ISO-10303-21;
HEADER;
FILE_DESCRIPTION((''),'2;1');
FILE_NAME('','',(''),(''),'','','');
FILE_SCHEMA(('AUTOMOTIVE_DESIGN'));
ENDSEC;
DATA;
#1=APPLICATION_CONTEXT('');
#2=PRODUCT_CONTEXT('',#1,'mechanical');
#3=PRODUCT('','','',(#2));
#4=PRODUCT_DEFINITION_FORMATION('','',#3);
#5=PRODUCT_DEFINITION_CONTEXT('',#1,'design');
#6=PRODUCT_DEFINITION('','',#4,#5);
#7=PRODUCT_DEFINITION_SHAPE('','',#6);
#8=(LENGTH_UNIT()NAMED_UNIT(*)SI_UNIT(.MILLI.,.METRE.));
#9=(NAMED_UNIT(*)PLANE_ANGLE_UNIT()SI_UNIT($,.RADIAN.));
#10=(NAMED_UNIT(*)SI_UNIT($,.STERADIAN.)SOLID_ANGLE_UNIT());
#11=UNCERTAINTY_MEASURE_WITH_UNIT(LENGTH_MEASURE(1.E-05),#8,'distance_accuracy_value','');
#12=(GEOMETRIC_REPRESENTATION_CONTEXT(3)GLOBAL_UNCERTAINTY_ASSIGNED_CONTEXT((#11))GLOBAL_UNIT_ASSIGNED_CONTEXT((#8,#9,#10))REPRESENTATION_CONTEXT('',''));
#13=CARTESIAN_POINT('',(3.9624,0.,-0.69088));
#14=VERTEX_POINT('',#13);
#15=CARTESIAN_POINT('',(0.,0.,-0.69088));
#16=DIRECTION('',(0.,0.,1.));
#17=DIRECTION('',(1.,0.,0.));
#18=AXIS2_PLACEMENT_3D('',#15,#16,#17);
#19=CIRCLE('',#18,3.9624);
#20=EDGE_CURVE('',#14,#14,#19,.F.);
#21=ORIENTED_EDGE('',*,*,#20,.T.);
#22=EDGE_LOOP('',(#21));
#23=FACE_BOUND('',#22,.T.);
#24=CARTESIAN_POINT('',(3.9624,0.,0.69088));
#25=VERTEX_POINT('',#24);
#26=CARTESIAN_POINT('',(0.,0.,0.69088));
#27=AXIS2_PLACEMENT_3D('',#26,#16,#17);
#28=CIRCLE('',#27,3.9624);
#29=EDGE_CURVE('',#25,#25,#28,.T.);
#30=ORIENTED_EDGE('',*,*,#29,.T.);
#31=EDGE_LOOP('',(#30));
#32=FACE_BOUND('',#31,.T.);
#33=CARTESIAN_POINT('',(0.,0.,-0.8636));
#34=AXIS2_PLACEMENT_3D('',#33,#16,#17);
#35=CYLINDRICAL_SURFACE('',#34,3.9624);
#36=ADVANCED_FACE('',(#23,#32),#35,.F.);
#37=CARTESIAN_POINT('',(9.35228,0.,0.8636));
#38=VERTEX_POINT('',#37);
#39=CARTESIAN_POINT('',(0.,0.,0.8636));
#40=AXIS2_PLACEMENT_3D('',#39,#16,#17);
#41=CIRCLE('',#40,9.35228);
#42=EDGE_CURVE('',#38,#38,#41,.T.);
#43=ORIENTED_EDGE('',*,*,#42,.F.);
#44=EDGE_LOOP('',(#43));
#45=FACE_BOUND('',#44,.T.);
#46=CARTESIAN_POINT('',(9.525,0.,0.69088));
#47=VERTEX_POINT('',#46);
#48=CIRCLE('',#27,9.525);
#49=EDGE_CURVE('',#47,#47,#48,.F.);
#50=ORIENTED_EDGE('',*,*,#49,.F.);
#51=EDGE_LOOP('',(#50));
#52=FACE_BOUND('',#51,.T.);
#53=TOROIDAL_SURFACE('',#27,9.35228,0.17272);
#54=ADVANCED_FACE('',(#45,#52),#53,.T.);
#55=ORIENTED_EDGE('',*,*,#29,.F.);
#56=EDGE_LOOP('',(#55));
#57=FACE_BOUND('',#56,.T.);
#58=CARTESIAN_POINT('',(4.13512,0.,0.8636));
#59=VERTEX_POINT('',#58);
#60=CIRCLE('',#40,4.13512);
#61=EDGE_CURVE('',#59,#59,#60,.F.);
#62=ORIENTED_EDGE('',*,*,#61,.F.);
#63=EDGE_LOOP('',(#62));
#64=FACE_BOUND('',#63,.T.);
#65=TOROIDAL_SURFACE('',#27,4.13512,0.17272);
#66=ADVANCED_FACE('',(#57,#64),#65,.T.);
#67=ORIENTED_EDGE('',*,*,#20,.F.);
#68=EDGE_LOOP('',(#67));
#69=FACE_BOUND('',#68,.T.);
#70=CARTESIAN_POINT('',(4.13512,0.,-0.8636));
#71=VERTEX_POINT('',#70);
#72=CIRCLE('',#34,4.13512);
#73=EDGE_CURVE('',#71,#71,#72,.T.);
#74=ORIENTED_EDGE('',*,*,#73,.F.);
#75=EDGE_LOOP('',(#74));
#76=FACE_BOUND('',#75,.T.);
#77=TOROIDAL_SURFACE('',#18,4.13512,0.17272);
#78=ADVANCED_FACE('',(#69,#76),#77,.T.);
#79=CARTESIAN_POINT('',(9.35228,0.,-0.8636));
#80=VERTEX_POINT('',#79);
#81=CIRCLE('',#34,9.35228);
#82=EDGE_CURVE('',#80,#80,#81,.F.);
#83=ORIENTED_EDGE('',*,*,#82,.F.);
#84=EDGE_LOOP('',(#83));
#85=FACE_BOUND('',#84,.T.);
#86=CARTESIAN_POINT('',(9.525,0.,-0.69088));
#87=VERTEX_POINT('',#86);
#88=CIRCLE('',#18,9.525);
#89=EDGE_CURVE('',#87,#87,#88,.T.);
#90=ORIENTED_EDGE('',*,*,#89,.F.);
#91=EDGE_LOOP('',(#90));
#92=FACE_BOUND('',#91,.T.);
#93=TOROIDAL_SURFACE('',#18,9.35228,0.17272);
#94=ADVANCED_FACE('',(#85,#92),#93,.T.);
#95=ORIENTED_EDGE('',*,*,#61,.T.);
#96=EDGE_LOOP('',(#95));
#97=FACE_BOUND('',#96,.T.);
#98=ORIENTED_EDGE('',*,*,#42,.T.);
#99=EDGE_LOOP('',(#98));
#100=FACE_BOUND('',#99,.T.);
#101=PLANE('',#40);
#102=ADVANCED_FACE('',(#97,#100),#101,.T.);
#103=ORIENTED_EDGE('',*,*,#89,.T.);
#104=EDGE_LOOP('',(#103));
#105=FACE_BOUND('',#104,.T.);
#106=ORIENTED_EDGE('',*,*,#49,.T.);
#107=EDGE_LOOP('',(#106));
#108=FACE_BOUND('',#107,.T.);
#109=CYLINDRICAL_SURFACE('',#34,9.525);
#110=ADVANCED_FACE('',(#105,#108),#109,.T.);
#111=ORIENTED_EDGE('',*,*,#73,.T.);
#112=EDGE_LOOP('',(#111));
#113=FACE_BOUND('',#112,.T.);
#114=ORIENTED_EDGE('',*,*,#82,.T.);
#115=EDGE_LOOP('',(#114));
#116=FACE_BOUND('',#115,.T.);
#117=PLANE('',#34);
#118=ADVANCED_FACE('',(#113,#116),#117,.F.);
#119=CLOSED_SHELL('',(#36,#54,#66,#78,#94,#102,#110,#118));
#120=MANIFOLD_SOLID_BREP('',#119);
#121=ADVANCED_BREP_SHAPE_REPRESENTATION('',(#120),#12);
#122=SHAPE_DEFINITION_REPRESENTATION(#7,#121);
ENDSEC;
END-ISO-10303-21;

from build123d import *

# Parameters (mm, degrees)
SKETCH3_R                = 9.525
SKETCH3_R_2              = 3.9624
BOSS_EXTRUDE1_DEPTH      = 0.8636
BOSS_EXTRUDE1_DEPTH_BACK = 0.8636
FILLET1_R                = 0.17272


with BuildPart() as part:
    # Sketch3 → Boss-Extrude1 (new body, two sides)
    with BuildSketch(Plane.XY) as boss_extrude1_sk:
        Circle(SKETCH3_R)
        Circle(SKETCH3_R_2, mode=Mode.SUBTRACT)
    extrude(amount=BOSS_EXTRUDE1_DEPTH)
    extrude(boss_extrude1_sk.sketch, amount=-BOSS_EXTRUDE1_DEPTH_BACK)

    # Fillet1
    fillet1_edges = [part.edges().sort_by_distance(p)[0] for p in [
        (-9.525, 0, -0.8636),
        (-3.9624, 0, -0.8636),
        (-9.525, 0, 0.8636),
        (-3.9624, 0, 0.8636),
    ]]
    fillet(fillet1_edges, radius=FILLET1_R)


solid = part.part
